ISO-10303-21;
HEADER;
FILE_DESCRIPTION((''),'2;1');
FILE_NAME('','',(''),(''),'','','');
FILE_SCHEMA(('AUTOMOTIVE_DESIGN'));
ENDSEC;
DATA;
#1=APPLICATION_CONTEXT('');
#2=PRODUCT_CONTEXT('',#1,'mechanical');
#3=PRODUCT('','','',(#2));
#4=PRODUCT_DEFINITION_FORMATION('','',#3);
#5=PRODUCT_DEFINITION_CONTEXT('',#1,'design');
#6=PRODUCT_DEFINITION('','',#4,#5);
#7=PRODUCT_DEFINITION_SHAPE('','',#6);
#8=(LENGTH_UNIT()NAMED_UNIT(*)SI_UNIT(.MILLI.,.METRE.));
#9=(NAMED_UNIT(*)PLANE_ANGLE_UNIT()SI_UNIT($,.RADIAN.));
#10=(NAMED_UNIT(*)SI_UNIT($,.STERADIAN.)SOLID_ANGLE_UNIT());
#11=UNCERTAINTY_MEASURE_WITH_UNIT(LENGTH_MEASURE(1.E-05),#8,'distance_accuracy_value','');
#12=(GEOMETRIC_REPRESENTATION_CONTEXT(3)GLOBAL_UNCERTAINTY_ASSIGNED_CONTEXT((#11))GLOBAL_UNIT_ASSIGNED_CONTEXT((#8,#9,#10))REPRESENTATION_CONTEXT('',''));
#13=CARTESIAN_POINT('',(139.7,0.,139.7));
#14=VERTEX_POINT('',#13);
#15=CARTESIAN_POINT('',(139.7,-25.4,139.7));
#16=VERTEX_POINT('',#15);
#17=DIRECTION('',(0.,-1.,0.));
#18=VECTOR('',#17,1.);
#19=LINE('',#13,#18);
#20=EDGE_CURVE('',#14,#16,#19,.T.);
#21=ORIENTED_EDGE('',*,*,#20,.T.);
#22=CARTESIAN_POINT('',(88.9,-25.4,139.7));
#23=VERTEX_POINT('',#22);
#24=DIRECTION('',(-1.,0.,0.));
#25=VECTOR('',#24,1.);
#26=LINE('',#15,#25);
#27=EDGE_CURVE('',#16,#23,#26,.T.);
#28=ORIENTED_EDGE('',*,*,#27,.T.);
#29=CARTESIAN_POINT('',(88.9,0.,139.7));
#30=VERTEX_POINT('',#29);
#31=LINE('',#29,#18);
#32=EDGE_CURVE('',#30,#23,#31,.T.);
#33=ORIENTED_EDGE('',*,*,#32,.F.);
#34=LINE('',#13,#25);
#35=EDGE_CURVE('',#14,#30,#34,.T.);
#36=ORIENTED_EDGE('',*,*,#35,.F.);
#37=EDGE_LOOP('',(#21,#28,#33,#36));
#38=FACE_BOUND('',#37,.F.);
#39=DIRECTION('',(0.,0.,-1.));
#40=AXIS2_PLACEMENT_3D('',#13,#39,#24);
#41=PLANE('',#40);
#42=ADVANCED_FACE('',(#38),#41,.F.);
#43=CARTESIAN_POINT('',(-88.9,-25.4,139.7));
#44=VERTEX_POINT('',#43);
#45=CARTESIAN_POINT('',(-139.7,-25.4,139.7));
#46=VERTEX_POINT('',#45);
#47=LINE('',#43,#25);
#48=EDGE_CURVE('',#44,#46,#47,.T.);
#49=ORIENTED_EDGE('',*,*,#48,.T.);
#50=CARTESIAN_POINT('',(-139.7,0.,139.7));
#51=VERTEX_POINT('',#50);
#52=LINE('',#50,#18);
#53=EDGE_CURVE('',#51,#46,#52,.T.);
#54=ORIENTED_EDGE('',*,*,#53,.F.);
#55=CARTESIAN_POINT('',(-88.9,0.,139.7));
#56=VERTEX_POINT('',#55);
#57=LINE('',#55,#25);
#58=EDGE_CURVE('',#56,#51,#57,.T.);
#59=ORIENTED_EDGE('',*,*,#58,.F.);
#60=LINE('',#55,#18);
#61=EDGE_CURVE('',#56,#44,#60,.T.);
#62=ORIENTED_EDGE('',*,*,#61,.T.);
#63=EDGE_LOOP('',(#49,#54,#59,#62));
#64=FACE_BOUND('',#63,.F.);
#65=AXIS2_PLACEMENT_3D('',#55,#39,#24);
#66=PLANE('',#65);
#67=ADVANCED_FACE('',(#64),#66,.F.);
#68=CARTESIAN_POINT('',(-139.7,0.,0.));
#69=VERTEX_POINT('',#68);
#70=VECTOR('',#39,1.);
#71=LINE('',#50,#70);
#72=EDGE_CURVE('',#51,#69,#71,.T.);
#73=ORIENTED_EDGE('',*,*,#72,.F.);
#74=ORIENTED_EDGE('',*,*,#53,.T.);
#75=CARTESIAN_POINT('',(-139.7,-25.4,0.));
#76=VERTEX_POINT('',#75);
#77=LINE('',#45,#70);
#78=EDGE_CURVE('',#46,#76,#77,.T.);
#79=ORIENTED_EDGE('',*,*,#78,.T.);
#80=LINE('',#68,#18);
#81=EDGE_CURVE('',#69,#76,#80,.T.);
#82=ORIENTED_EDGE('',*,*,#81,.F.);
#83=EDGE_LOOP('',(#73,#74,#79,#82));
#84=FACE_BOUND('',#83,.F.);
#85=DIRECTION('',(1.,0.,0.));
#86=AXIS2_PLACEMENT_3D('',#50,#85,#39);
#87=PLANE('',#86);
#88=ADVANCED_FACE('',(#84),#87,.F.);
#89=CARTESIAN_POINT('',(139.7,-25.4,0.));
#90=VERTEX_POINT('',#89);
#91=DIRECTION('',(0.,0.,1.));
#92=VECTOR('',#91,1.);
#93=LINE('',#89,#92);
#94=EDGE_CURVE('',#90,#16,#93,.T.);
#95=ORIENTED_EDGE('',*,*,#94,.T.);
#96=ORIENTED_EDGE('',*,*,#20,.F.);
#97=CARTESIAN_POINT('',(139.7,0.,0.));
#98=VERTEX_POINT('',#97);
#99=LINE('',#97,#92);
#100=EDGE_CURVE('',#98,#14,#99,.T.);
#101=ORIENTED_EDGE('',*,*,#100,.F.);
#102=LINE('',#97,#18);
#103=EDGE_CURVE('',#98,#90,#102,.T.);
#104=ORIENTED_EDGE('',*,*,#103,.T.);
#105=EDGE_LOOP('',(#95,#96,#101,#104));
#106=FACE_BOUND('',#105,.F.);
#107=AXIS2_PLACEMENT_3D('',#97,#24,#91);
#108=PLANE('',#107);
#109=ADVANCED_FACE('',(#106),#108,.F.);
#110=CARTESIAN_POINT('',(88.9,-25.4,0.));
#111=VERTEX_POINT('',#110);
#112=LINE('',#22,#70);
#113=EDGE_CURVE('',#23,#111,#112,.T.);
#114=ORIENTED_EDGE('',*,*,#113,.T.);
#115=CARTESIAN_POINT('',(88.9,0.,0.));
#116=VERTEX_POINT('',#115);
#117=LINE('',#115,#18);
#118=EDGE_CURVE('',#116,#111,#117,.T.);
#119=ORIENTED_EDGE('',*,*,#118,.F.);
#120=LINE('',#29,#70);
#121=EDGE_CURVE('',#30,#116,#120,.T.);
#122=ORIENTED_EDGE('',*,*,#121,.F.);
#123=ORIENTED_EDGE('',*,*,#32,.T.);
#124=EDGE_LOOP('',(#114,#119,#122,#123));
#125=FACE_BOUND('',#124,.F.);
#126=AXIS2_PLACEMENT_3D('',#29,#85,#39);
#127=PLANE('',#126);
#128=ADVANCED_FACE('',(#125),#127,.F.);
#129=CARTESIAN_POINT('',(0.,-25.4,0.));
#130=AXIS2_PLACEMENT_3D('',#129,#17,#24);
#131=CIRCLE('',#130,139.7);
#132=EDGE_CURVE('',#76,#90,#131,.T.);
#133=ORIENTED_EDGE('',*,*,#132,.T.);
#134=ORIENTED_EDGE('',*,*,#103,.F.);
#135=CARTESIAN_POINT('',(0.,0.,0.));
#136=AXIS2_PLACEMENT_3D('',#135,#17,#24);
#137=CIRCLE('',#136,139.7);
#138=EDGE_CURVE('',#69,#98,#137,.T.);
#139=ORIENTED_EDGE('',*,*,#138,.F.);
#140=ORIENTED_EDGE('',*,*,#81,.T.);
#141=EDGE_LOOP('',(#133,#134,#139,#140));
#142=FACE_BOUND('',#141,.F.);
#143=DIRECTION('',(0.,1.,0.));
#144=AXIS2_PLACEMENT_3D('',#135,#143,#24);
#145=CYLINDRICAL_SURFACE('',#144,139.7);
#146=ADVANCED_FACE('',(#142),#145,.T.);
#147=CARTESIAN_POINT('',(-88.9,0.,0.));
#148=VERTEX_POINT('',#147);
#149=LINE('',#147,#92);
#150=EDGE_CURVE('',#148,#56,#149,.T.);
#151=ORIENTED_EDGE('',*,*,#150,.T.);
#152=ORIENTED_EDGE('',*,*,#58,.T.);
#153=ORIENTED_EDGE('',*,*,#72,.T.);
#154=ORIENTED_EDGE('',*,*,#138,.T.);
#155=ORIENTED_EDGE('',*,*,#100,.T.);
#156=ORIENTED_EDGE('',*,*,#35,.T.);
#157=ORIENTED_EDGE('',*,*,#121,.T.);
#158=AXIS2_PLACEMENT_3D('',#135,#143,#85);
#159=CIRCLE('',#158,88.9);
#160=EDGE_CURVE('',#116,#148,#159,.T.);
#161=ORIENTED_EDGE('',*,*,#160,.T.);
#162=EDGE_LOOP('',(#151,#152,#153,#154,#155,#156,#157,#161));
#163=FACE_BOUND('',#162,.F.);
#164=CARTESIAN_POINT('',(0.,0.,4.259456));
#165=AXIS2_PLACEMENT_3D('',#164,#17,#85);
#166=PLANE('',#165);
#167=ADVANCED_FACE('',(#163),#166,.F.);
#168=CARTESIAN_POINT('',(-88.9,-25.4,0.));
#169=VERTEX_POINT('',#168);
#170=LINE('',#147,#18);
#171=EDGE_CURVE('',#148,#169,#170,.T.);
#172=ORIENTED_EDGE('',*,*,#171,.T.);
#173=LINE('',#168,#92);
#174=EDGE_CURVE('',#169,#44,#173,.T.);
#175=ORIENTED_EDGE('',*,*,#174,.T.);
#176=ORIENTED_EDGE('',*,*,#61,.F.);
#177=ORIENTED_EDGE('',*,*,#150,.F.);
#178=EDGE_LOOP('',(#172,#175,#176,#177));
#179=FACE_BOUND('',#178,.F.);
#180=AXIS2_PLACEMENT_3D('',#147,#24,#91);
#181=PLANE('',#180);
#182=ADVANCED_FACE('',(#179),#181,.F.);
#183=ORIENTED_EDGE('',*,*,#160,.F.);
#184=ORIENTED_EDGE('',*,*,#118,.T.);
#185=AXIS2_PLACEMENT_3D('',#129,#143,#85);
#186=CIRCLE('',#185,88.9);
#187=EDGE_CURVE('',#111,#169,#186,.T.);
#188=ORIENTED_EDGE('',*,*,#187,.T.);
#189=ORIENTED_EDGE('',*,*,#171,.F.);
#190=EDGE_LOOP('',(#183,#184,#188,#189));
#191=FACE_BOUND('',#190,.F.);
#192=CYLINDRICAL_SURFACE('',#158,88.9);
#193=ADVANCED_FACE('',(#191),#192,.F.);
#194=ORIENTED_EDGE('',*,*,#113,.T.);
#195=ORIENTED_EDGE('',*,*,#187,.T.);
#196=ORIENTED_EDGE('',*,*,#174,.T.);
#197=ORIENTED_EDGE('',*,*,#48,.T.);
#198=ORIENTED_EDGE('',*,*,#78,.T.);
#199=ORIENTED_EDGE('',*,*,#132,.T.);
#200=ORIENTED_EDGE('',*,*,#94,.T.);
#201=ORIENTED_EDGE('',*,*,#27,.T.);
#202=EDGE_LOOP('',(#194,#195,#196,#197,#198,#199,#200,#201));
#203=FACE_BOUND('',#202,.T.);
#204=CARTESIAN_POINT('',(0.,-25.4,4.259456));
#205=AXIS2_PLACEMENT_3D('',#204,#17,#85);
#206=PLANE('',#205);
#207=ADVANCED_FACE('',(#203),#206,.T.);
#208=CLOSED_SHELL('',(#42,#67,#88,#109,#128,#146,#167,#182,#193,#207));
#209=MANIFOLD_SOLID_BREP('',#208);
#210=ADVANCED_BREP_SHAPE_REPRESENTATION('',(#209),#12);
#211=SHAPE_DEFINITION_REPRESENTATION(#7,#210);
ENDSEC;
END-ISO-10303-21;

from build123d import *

# Parameters (mm, degrees)
F1_DEPTH = 25.4


with BuildPart() as f1:
    # F0 (on Front) → F1 (new body)
    with BuildSketch(Plane.XZ):
        with BuildLine():
            Line((-139.7, 139.7), (-139.7, 0))
            ThreePointArc((-139.7, 0), (0, -139.7), (139.7, 0))
            Line((139.7, 0), (139.7, 139.7))
            Line((139.7, 139.7), (88.9, 139.7))
            Line((88.9, 139.7), (88.9, 0))
            ThreePointArc((88.9, 0), (0, -88.9), (-88.9, 0))
            Line((-88.9, 0), (-88.9, 139.7))
            Line((-88.9, 139.7), (-139.7, 139.7))
        make_face()
    extrude(amount=F1_DEPTH)


solid = f1.part
